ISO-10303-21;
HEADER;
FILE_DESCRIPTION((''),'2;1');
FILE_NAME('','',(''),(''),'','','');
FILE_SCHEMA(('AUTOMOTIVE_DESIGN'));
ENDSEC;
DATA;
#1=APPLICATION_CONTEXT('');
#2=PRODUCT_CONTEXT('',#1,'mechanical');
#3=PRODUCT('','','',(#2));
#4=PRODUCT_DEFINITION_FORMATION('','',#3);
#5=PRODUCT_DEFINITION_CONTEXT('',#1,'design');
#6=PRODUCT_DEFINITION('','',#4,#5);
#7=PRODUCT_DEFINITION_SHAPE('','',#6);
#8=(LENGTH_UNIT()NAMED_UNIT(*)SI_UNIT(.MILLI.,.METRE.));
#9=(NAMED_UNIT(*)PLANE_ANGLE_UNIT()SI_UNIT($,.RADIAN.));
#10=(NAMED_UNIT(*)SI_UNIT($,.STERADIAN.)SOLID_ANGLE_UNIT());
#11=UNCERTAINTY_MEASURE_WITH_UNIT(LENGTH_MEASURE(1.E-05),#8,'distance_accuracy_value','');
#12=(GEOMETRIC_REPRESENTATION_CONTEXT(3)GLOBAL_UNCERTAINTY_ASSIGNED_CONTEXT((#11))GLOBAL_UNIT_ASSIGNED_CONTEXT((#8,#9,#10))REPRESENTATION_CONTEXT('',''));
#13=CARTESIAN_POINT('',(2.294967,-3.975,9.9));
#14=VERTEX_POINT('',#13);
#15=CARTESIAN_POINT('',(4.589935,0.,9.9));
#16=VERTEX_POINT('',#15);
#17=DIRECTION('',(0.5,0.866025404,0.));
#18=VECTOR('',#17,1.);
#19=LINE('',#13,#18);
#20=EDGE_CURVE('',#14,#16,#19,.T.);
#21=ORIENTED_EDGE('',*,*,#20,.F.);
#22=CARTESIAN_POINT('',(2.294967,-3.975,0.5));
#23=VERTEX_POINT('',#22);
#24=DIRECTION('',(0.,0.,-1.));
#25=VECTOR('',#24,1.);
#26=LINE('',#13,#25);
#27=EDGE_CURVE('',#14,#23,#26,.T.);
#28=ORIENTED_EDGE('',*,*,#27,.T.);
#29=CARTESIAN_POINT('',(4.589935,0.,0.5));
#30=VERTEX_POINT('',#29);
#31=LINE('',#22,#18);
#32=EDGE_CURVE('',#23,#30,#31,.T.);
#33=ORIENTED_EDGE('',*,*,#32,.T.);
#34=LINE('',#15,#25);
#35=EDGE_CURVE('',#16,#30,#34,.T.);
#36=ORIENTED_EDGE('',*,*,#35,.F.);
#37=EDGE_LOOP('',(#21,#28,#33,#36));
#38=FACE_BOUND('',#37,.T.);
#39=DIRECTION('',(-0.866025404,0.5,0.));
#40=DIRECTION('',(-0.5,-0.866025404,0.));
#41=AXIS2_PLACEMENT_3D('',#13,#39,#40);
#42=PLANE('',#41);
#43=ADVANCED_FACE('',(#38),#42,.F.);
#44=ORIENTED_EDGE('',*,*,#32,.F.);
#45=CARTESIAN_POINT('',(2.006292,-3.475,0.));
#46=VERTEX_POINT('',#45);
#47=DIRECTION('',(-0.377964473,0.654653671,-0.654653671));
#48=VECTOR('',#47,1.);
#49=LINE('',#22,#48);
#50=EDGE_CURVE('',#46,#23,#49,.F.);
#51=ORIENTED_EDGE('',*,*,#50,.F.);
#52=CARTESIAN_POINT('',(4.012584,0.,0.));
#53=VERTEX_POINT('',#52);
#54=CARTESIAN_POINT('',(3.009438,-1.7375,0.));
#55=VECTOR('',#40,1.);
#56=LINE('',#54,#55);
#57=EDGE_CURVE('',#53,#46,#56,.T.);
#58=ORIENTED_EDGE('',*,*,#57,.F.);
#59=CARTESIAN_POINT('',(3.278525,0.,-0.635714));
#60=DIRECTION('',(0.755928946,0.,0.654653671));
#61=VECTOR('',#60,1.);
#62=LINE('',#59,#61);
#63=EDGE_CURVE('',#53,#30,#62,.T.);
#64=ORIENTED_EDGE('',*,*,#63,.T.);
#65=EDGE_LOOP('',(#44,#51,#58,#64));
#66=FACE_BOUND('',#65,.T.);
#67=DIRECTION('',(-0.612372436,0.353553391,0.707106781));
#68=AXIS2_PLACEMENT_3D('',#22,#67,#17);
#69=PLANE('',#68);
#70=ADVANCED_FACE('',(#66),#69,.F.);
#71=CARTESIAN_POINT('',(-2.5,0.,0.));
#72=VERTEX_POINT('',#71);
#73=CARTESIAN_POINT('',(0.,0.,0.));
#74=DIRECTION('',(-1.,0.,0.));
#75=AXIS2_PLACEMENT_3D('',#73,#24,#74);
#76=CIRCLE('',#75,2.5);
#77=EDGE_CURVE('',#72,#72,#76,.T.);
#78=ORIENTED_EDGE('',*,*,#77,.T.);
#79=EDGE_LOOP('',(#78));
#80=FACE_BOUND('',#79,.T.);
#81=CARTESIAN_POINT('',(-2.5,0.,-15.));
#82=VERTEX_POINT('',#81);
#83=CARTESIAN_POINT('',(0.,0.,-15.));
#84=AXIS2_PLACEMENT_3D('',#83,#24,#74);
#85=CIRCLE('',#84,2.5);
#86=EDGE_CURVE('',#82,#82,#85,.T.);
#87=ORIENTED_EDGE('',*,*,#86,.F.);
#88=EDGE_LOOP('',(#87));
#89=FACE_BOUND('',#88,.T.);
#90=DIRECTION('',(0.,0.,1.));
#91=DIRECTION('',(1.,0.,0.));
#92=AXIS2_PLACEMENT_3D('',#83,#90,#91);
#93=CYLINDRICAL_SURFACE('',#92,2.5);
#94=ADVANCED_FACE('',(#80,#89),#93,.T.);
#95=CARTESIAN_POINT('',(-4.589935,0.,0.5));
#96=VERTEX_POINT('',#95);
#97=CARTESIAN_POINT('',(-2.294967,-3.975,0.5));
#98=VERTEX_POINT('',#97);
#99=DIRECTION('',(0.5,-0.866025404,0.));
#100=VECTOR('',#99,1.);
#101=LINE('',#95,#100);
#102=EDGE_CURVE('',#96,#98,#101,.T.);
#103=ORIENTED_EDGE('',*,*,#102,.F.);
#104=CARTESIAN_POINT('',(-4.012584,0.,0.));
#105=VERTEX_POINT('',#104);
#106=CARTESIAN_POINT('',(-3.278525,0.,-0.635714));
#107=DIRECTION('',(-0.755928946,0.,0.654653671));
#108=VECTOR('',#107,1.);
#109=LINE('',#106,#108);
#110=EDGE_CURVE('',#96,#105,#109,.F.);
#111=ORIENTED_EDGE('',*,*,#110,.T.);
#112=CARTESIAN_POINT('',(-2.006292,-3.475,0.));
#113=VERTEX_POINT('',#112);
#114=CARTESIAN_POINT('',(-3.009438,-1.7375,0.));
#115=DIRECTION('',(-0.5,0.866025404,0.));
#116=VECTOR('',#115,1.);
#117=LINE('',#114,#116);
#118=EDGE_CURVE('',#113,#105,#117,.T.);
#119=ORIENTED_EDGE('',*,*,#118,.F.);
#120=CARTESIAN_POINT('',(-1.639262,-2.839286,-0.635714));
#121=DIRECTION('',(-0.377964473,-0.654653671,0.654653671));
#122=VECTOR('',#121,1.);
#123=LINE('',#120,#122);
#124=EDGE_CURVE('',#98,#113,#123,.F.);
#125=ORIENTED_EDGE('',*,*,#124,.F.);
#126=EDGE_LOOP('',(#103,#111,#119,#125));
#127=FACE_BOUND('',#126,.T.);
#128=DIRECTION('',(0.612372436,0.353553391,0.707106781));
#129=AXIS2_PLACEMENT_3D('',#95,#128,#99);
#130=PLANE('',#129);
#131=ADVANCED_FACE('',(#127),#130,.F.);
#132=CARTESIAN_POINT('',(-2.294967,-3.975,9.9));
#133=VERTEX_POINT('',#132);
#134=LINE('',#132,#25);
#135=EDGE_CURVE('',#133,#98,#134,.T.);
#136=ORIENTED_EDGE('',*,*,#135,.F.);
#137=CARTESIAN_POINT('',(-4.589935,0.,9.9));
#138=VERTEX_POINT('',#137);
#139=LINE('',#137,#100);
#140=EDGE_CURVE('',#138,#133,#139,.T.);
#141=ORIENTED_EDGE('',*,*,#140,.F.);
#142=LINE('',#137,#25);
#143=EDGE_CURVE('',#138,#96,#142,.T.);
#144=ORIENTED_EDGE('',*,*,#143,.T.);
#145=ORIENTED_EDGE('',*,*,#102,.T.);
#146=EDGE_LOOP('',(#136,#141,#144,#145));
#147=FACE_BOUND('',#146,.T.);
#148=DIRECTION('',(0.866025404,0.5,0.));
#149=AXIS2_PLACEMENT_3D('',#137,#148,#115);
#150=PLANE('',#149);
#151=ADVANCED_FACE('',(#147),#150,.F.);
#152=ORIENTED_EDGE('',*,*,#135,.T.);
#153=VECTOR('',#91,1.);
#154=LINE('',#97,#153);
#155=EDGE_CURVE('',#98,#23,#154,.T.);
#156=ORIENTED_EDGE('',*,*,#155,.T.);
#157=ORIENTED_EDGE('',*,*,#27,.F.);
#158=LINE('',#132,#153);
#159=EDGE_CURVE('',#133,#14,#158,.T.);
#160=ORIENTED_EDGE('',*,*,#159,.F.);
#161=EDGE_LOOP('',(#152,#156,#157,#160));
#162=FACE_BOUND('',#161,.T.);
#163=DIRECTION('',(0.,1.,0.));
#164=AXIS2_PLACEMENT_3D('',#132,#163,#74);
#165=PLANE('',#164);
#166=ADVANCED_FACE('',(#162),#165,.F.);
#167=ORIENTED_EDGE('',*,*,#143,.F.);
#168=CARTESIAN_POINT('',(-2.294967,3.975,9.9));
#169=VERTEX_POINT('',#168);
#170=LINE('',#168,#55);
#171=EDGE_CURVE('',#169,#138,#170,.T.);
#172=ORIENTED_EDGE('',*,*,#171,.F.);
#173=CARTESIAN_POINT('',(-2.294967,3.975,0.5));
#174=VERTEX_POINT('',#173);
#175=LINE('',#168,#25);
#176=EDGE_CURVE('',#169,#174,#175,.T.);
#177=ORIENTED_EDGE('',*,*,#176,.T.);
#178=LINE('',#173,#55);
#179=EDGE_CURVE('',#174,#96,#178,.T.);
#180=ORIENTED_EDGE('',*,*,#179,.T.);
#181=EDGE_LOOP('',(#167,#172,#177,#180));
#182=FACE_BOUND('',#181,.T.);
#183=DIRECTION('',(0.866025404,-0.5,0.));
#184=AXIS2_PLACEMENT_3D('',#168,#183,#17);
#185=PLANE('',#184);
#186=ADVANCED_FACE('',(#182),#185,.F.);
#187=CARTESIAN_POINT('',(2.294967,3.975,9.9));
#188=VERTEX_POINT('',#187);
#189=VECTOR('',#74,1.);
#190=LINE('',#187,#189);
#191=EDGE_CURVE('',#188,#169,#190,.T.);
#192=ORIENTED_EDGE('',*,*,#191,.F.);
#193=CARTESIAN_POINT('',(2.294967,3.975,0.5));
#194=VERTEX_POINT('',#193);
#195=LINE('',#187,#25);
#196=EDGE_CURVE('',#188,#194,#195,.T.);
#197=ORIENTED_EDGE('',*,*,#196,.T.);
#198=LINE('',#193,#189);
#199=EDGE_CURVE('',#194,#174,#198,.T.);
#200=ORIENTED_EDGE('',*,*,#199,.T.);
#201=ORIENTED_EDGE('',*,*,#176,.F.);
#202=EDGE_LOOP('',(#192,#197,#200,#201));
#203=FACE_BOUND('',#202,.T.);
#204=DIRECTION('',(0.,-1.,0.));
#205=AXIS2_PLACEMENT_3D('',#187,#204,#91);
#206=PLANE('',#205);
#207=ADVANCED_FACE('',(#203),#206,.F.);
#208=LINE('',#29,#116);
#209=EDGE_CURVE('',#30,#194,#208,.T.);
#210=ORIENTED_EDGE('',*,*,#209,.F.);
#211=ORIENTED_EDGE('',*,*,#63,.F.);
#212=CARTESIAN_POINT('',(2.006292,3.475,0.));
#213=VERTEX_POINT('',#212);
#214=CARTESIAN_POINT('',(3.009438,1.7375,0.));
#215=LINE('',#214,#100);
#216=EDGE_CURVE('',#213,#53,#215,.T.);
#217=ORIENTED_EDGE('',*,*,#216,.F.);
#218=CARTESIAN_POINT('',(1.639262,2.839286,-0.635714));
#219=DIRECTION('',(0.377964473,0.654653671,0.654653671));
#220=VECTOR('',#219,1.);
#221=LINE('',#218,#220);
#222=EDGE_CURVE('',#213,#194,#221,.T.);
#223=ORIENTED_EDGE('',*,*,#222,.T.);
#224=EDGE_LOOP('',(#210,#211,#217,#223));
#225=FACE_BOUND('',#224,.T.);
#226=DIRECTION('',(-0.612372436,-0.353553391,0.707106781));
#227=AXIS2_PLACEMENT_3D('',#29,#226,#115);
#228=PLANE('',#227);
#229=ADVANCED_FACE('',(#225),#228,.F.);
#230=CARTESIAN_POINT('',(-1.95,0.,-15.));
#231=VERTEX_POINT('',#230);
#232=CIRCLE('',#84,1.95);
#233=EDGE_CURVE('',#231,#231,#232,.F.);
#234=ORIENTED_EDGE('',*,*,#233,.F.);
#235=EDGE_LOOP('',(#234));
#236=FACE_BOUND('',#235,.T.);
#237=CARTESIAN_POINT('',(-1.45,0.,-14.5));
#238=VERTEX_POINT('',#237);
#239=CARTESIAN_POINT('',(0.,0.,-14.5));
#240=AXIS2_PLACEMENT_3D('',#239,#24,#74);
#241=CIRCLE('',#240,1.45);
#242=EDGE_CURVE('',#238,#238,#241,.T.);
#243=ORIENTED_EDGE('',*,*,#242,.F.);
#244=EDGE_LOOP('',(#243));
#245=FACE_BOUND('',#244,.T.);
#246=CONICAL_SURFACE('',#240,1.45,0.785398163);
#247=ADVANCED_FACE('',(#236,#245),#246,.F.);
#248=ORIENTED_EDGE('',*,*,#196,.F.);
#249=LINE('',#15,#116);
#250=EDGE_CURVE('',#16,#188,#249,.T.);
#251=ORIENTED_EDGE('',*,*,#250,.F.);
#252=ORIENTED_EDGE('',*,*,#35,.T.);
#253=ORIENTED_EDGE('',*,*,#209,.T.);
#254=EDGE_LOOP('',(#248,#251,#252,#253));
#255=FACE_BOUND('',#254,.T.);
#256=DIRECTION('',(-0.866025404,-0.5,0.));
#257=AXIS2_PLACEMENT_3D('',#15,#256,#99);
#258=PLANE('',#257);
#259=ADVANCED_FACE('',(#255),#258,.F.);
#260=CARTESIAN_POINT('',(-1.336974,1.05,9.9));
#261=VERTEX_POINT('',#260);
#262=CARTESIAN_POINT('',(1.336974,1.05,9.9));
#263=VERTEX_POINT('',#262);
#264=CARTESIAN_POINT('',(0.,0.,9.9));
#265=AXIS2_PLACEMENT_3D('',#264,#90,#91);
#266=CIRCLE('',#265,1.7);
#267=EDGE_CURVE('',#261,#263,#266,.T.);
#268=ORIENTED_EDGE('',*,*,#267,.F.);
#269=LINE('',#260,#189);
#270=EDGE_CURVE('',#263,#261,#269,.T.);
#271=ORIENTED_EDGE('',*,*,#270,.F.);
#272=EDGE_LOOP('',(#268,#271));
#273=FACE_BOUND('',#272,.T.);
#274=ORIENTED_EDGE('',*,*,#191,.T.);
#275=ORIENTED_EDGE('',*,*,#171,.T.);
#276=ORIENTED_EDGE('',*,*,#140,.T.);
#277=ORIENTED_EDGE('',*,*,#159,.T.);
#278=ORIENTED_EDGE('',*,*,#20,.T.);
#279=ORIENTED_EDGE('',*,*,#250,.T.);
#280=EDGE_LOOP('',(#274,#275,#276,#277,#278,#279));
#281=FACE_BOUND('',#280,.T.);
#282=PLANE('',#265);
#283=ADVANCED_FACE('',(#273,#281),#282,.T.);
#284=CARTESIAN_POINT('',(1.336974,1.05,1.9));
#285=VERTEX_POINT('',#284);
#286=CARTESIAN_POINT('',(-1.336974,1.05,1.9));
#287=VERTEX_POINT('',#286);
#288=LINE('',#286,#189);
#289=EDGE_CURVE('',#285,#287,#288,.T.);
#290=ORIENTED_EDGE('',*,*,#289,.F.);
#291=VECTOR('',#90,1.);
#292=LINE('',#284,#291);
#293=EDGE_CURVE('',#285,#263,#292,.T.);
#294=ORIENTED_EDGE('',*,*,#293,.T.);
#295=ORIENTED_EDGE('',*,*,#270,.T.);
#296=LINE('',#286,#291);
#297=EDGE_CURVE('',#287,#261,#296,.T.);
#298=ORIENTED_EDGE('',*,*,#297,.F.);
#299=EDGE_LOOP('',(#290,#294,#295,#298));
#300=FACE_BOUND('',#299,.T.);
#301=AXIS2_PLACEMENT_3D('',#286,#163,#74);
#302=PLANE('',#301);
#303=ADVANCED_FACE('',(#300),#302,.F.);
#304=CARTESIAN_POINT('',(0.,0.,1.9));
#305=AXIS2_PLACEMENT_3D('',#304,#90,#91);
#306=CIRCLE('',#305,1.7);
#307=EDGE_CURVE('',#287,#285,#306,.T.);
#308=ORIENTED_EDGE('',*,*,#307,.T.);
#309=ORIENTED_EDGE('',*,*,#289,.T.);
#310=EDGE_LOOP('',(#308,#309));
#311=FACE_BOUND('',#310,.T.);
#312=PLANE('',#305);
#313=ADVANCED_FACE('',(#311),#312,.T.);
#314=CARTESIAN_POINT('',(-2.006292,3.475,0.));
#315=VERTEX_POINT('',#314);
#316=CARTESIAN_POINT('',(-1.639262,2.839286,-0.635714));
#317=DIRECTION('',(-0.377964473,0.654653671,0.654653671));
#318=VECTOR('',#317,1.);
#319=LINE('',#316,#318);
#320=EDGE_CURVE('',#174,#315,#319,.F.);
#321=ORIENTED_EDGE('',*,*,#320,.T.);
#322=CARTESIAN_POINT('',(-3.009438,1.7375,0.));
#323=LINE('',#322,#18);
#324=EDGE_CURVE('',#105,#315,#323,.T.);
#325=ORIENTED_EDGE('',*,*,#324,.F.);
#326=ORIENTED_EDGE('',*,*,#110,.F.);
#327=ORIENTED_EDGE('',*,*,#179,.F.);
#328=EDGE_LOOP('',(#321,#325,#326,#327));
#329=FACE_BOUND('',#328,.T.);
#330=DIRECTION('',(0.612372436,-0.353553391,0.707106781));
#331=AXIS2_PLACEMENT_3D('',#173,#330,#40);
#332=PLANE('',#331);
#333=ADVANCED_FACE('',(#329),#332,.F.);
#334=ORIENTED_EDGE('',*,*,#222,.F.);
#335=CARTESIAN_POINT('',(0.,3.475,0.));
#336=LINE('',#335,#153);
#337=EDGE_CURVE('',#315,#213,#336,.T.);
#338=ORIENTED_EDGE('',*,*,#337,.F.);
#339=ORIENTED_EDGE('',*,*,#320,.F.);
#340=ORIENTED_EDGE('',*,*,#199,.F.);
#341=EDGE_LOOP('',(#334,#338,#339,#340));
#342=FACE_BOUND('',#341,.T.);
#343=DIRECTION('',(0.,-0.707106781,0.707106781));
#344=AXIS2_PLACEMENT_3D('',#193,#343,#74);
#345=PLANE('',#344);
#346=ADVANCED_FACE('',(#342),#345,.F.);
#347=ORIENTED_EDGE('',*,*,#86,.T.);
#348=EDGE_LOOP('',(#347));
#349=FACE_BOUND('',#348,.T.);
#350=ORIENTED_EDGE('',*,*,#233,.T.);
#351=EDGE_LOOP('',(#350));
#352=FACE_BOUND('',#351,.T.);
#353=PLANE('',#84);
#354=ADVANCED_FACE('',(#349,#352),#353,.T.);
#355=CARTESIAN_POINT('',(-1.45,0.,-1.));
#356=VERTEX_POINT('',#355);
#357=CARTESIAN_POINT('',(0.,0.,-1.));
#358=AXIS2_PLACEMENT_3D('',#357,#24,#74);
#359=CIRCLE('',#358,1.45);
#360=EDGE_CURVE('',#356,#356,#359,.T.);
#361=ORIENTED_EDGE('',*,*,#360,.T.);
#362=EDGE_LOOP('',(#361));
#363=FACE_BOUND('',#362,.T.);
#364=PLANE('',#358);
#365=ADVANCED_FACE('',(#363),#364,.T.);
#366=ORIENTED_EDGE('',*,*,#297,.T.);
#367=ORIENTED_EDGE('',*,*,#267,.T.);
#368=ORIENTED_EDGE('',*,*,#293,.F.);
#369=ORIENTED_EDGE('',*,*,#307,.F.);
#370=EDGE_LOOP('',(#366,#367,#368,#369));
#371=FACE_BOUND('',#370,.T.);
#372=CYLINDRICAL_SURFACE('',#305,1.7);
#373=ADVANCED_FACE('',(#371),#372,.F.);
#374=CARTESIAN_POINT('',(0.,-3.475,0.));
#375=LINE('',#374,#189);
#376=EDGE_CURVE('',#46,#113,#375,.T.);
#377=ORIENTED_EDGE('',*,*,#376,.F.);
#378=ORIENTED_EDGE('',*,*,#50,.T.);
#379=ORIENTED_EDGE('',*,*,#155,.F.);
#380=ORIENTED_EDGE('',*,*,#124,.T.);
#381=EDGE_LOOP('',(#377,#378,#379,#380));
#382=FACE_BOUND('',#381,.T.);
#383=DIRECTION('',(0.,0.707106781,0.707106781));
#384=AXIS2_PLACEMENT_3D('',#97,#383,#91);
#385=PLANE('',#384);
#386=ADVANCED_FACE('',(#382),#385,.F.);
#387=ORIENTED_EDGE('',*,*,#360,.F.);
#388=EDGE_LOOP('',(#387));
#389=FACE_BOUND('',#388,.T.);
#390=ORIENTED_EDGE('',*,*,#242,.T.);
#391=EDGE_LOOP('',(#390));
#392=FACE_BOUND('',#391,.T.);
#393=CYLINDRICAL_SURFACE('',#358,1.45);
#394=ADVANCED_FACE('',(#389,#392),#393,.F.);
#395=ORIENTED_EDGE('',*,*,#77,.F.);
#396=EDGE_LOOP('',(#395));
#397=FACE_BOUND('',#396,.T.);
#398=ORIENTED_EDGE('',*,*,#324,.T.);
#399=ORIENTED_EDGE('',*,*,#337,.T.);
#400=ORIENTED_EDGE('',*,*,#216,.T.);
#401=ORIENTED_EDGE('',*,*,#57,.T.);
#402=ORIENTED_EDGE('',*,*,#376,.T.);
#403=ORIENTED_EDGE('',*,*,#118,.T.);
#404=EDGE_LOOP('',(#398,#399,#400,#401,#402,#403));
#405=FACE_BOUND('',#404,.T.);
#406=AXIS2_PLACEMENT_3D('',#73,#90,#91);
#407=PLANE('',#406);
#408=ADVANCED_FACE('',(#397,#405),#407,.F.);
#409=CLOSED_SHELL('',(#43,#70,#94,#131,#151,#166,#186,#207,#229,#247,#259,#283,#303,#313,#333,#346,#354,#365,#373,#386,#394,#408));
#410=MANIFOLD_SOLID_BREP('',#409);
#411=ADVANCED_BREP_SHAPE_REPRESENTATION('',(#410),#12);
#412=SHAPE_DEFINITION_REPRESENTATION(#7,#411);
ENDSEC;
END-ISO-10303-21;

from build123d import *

# Parameters (mm, degrees)
SALIENTE_EXTRUIR1_DEPTH = 9.9
CORTAR_EXTRUIR1_DEPTH   = 8
CROQUIS3_R              = 2.5
SALIENTE_EXTRUIR2_DEPTH = 15
CROQUIS4_R              = 1.45
CORTAR_EXTRUIR2_DEPTH   = 14
CHAFL_N1_SIZE           = 0.5
CHAFL_N2_SIZE           = 0.5


with BuildPart() as part:
    # Croquis1 → Saliente-Extruir1 (new body)
    with BuildSketch(Plane.XY):
        Polygon((4.58993464, 0), (2.29496732, 3.975), (-2.29496732, 3.975), (-4.58993464, 0), (-2.29496732, -3.975), (2.29496732, -3.975), align=None)
    extrude(amount=SALIENTE_EXTRUIR1_DEPTH)

    # Croquis2 → Cortar-Extruir1 (cut)
    with BuildSketch(Plane.XY.offset(9.9)):
        with BuildLine():
            Line((-1.336974196, 1.05), (1.336974196, 1.05))
            ThreePointArc((1.336974196, 1.05), (0, -1.7), (-1.336974196, 1.05))
        make_face()
    extrude(amount=-CORTAR_EXTRUIR1_DEPTH, mode=Mode.SUBTRACT)

    # Croquis3 → Saliente-Extruir2 (add)
    with BuildSketch(Plane(origin=(0, 0, 0), x_dir=(-1, 0, 0), z_dir=(0, 0, -1))):
        Circle(CROQUIS3_R)
    extrude(amount=SALIENTE_EXTRUIR2_DEPTH)

    # Croquis4 → Cortar-Extruir2 (cut)
    with BuildSketch(Plane(origin=(0, 0, -15), x_dir=(-1, 0, 0), z_dir=(0, 0, -1))):
        Circle(CROQUIS4_R)
    extrude(amount=-CORTAR_EXTRUIR2_DEPTH, mode=Mode.SUBTRACT)

    # Chaflán1
    chafl_n1_edges = [part.edges().sort_by_distance(p)[0] for p in [
        (0, -3.975, 0),
        (-3.44245098, -1.9875, 0),
        (-3.44245098, 1.9875, 0),
        (0, 3.975, 0),
        (3.44245098, 1.9875, 0),
        (3.44245098, -1.9875, 0),
    ]]
    chamfer(chafl_n1_edges, length=CHAFL_N1_SIZE)

    # Chaflán2
    chafl_n2_edges = [part.edges().sort_by_distance(p)[0] for p in [
        (1.45, 0, -15),
    ]]
    chamfer(chafl_n2_edges, length=CHAFL_N2_SIZE)


solid = part.part
